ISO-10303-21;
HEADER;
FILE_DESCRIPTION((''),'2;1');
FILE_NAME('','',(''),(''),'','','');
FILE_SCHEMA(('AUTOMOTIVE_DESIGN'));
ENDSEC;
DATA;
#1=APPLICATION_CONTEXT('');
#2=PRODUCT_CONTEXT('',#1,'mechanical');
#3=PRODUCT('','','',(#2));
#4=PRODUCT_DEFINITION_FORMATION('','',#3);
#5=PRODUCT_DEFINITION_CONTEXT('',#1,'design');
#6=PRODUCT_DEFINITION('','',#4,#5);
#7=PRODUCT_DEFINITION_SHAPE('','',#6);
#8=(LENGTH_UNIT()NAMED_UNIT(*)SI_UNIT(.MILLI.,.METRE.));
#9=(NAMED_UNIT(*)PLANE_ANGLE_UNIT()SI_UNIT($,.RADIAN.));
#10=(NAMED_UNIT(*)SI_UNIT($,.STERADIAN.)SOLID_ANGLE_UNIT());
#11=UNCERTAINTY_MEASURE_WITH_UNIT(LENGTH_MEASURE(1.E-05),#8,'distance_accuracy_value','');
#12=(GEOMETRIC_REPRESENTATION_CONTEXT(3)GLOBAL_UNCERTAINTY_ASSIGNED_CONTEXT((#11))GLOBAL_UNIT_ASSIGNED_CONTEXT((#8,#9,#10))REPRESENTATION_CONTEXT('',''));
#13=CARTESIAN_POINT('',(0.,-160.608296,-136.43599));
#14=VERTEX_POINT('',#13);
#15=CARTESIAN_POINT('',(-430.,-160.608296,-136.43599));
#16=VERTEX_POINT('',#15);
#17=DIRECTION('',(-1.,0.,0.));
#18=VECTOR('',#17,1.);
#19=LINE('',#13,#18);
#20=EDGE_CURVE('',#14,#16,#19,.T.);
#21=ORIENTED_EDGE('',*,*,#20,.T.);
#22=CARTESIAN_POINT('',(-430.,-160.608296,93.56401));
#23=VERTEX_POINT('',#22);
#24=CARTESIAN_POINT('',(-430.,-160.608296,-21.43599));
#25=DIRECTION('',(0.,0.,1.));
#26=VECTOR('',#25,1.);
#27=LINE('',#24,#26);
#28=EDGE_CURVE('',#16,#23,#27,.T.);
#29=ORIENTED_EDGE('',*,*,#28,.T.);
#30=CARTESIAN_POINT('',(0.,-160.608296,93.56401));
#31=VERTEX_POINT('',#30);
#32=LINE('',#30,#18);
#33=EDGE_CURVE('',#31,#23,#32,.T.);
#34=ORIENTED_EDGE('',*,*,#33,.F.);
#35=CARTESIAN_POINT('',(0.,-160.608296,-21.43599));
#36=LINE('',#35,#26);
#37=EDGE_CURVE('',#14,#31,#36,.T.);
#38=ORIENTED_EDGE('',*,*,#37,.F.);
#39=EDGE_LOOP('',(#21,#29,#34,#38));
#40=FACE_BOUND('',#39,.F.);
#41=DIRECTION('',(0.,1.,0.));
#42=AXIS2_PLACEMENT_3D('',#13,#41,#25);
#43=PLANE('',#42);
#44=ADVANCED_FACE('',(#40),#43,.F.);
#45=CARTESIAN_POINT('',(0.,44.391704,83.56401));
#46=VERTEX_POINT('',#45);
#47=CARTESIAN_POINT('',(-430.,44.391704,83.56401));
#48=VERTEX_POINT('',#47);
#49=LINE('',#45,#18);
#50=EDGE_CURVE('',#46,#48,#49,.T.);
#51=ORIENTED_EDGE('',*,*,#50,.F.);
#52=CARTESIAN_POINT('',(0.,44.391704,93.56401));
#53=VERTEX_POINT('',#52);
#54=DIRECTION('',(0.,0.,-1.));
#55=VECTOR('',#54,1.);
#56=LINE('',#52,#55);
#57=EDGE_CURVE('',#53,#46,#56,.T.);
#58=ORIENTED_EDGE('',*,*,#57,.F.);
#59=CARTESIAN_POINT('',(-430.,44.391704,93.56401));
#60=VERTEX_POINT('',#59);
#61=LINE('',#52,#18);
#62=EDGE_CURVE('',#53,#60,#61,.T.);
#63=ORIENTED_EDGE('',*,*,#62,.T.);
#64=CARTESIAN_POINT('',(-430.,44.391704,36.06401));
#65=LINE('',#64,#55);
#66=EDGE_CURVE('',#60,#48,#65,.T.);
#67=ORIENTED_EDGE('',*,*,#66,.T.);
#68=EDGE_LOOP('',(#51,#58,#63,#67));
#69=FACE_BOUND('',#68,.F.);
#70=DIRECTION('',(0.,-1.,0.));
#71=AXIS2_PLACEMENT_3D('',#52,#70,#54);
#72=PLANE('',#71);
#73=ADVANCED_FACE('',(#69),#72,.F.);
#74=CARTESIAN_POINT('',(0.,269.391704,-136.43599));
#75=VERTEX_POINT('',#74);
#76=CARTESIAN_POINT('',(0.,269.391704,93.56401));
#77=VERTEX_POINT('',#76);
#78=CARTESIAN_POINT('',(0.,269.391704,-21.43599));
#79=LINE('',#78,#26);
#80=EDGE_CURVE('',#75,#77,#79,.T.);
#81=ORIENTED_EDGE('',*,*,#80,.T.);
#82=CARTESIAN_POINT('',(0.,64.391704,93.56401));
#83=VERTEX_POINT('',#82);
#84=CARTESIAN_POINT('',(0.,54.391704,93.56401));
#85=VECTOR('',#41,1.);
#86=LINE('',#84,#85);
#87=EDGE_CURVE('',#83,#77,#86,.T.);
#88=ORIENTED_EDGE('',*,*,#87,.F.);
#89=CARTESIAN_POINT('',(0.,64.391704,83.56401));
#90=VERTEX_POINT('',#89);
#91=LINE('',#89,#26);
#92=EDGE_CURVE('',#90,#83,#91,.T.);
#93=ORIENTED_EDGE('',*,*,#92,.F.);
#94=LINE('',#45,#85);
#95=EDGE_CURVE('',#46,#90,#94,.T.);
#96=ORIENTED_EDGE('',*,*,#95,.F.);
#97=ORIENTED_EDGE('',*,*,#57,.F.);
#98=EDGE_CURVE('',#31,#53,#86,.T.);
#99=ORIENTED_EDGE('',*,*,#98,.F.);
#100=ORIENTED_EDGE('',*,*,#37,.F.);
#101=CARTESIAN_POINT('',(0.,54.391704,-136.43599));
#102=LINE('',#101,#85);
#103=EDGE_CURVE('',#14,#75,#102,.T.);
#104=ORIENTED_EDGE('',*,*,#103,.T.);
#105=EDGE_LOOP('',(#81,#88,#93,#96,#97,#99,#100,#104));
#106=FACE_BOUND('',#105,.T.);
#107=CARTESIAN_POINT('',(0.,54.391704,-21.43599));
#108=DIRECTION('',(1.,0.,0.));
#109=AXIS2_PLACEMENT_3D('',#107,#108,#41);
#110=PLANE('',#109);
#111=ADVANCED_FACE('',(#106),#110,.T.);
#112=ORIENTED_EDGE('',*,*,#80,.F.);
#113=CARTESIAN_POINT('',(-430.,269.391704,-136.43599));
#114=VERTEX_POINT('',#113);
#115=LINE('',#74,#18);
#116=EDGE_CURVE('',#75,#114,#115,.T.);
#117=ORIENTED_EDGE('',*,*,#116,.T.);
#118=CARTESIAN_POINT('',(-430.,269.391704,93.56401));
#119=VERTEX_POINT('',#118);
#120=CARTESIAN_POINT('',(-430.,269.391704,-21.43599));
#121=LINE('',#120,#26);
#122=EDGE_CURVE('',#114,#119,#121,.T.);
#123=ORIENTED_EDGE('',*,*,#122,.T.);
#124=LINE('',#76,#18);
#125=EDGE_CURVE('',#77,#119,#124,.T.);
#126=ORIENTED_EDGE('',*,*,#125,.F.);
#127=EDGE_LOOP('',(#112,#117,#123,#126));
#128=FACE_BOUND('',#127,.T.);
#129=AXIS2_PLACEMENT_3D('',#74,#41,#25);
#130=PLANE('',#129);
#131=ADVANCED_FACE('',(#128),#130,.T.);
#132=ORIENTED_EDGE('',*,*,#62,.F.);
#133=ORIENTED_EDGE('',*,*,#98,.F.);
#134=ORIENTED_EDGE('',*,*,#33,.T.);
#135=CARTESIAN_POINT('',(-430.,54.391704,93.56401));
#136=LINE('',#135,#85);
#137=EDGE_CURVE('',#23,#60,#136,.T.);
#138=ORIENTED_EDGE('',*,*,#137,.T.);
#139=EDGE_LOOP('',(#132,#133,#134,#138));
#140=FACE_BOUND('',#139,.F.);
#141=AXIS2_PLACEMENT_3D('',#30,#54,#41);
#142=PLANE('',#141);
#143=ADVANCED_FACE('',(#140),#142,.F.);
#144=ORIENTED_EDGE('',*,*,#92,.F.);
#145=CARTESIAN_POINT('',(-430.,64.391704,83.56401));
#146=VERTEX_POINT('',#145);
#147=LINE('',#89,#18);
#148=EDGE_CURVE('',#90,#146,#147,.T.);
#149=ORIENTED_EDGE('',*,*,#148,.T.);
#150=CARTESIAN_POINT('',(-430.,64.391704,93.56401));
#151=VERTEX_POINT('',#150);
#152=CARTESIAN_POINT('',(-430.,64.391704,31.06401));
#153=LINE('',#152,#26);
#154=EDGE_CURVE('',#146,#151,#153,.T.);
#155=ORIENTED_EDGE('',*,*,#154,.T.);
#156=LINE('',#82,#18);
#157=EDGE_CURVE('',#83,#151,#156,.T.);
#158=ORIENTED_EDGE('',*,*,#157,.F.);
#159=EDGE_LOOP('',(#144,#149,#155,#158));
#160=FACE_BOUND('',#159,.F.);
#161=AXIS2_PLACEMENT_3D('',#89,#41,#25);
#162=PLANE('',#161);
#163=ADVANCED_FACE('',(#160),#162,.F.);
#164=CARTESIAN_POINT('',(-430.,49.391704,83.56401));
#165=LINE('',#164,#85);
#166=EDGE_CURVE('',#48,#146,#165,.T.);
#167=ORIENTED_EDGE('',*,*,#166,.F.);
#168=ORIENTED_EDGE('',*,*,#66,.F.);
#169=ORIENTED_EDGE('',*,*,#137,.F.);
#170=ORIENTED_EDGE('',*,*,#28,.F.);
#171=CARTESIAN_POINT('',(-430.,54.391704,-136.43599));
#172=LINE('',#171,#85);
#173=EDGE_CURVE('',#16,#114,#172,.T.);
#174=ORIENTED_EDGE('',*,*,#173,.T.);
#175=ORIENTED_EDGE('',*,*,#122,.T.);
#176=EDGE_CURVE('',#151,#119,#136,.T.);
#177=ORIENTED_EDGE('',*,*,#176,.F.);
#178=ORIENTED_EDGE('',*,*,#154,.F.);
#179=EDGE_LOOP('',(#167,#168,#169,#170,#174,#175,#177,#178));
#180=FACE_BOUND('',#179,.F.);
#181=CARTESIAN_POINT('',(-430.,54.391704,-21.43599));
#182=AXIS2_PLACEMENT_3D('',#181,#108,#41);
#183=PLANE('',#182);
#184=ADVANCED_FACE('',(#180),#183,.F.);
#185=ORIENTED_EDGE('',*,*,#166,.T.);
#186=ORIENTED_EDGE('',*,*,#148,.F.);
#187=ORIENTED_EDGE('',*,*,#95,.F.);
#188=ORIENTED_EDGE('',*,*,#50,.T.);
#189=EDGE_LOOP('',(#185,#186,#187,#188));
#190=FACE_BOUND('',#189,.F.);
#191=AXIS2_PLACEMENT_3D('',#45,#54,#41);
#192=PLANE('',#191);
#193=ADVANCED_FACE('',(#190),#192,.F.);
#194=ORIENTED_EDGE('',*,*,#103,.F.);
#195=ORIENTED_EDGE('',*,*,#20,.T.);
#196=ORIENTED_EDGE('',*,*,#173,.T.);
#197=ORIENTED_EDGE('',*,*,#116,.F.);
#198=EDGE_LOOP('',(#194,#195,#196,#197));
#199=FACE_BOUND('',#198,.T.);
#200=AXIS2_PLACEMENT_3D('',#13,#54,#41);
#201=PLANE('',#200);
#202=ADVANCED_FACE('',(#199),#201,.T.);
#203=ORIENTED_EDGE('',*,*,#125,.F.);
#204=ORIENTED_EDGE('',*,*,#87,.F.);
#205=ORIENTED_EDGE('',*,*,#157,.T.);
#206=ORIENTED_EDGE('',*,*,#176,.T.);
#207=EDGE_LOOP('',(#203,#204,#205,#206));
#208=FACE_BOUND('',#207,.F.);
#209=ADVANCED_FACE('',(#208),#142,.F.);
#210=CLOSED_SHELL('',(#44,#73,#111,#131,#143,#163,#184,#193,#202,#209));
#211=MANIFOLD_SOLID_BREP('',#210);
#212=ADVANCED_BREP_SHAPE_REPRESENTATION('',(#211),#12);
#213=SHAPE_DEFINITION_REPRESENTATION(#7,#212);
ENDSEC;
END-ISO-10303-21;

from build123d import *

# Parameters (mm, degrees)
F0_W     = 430
F0_H     = 230
F1_DEPTH = 430
F3_DEPTH = 560


with BuildPart() as f1:
    # F0 (on Right) → F1 (new body)
    with BuildSketch(Plane.YZ):
        with Locations((54.391704, -21.43599)):
            Rectangle(F0_W, F0_H)
    extrude(amount=-F1_DEPTH)

    # F2 (on face) → F3 (cut)
    with BuildSketch(Plane.YZ):
        Polygon((54.391704, 93.56401), (44.391704, 93.56401), (44.391704, 83.56401), (64.391704, 83.56401), (64.391704, 93.56401), align=None)
    extrude(amount=-F3_DEPTH, mode=Mode.SUBTRACT)


solid = f1.part
